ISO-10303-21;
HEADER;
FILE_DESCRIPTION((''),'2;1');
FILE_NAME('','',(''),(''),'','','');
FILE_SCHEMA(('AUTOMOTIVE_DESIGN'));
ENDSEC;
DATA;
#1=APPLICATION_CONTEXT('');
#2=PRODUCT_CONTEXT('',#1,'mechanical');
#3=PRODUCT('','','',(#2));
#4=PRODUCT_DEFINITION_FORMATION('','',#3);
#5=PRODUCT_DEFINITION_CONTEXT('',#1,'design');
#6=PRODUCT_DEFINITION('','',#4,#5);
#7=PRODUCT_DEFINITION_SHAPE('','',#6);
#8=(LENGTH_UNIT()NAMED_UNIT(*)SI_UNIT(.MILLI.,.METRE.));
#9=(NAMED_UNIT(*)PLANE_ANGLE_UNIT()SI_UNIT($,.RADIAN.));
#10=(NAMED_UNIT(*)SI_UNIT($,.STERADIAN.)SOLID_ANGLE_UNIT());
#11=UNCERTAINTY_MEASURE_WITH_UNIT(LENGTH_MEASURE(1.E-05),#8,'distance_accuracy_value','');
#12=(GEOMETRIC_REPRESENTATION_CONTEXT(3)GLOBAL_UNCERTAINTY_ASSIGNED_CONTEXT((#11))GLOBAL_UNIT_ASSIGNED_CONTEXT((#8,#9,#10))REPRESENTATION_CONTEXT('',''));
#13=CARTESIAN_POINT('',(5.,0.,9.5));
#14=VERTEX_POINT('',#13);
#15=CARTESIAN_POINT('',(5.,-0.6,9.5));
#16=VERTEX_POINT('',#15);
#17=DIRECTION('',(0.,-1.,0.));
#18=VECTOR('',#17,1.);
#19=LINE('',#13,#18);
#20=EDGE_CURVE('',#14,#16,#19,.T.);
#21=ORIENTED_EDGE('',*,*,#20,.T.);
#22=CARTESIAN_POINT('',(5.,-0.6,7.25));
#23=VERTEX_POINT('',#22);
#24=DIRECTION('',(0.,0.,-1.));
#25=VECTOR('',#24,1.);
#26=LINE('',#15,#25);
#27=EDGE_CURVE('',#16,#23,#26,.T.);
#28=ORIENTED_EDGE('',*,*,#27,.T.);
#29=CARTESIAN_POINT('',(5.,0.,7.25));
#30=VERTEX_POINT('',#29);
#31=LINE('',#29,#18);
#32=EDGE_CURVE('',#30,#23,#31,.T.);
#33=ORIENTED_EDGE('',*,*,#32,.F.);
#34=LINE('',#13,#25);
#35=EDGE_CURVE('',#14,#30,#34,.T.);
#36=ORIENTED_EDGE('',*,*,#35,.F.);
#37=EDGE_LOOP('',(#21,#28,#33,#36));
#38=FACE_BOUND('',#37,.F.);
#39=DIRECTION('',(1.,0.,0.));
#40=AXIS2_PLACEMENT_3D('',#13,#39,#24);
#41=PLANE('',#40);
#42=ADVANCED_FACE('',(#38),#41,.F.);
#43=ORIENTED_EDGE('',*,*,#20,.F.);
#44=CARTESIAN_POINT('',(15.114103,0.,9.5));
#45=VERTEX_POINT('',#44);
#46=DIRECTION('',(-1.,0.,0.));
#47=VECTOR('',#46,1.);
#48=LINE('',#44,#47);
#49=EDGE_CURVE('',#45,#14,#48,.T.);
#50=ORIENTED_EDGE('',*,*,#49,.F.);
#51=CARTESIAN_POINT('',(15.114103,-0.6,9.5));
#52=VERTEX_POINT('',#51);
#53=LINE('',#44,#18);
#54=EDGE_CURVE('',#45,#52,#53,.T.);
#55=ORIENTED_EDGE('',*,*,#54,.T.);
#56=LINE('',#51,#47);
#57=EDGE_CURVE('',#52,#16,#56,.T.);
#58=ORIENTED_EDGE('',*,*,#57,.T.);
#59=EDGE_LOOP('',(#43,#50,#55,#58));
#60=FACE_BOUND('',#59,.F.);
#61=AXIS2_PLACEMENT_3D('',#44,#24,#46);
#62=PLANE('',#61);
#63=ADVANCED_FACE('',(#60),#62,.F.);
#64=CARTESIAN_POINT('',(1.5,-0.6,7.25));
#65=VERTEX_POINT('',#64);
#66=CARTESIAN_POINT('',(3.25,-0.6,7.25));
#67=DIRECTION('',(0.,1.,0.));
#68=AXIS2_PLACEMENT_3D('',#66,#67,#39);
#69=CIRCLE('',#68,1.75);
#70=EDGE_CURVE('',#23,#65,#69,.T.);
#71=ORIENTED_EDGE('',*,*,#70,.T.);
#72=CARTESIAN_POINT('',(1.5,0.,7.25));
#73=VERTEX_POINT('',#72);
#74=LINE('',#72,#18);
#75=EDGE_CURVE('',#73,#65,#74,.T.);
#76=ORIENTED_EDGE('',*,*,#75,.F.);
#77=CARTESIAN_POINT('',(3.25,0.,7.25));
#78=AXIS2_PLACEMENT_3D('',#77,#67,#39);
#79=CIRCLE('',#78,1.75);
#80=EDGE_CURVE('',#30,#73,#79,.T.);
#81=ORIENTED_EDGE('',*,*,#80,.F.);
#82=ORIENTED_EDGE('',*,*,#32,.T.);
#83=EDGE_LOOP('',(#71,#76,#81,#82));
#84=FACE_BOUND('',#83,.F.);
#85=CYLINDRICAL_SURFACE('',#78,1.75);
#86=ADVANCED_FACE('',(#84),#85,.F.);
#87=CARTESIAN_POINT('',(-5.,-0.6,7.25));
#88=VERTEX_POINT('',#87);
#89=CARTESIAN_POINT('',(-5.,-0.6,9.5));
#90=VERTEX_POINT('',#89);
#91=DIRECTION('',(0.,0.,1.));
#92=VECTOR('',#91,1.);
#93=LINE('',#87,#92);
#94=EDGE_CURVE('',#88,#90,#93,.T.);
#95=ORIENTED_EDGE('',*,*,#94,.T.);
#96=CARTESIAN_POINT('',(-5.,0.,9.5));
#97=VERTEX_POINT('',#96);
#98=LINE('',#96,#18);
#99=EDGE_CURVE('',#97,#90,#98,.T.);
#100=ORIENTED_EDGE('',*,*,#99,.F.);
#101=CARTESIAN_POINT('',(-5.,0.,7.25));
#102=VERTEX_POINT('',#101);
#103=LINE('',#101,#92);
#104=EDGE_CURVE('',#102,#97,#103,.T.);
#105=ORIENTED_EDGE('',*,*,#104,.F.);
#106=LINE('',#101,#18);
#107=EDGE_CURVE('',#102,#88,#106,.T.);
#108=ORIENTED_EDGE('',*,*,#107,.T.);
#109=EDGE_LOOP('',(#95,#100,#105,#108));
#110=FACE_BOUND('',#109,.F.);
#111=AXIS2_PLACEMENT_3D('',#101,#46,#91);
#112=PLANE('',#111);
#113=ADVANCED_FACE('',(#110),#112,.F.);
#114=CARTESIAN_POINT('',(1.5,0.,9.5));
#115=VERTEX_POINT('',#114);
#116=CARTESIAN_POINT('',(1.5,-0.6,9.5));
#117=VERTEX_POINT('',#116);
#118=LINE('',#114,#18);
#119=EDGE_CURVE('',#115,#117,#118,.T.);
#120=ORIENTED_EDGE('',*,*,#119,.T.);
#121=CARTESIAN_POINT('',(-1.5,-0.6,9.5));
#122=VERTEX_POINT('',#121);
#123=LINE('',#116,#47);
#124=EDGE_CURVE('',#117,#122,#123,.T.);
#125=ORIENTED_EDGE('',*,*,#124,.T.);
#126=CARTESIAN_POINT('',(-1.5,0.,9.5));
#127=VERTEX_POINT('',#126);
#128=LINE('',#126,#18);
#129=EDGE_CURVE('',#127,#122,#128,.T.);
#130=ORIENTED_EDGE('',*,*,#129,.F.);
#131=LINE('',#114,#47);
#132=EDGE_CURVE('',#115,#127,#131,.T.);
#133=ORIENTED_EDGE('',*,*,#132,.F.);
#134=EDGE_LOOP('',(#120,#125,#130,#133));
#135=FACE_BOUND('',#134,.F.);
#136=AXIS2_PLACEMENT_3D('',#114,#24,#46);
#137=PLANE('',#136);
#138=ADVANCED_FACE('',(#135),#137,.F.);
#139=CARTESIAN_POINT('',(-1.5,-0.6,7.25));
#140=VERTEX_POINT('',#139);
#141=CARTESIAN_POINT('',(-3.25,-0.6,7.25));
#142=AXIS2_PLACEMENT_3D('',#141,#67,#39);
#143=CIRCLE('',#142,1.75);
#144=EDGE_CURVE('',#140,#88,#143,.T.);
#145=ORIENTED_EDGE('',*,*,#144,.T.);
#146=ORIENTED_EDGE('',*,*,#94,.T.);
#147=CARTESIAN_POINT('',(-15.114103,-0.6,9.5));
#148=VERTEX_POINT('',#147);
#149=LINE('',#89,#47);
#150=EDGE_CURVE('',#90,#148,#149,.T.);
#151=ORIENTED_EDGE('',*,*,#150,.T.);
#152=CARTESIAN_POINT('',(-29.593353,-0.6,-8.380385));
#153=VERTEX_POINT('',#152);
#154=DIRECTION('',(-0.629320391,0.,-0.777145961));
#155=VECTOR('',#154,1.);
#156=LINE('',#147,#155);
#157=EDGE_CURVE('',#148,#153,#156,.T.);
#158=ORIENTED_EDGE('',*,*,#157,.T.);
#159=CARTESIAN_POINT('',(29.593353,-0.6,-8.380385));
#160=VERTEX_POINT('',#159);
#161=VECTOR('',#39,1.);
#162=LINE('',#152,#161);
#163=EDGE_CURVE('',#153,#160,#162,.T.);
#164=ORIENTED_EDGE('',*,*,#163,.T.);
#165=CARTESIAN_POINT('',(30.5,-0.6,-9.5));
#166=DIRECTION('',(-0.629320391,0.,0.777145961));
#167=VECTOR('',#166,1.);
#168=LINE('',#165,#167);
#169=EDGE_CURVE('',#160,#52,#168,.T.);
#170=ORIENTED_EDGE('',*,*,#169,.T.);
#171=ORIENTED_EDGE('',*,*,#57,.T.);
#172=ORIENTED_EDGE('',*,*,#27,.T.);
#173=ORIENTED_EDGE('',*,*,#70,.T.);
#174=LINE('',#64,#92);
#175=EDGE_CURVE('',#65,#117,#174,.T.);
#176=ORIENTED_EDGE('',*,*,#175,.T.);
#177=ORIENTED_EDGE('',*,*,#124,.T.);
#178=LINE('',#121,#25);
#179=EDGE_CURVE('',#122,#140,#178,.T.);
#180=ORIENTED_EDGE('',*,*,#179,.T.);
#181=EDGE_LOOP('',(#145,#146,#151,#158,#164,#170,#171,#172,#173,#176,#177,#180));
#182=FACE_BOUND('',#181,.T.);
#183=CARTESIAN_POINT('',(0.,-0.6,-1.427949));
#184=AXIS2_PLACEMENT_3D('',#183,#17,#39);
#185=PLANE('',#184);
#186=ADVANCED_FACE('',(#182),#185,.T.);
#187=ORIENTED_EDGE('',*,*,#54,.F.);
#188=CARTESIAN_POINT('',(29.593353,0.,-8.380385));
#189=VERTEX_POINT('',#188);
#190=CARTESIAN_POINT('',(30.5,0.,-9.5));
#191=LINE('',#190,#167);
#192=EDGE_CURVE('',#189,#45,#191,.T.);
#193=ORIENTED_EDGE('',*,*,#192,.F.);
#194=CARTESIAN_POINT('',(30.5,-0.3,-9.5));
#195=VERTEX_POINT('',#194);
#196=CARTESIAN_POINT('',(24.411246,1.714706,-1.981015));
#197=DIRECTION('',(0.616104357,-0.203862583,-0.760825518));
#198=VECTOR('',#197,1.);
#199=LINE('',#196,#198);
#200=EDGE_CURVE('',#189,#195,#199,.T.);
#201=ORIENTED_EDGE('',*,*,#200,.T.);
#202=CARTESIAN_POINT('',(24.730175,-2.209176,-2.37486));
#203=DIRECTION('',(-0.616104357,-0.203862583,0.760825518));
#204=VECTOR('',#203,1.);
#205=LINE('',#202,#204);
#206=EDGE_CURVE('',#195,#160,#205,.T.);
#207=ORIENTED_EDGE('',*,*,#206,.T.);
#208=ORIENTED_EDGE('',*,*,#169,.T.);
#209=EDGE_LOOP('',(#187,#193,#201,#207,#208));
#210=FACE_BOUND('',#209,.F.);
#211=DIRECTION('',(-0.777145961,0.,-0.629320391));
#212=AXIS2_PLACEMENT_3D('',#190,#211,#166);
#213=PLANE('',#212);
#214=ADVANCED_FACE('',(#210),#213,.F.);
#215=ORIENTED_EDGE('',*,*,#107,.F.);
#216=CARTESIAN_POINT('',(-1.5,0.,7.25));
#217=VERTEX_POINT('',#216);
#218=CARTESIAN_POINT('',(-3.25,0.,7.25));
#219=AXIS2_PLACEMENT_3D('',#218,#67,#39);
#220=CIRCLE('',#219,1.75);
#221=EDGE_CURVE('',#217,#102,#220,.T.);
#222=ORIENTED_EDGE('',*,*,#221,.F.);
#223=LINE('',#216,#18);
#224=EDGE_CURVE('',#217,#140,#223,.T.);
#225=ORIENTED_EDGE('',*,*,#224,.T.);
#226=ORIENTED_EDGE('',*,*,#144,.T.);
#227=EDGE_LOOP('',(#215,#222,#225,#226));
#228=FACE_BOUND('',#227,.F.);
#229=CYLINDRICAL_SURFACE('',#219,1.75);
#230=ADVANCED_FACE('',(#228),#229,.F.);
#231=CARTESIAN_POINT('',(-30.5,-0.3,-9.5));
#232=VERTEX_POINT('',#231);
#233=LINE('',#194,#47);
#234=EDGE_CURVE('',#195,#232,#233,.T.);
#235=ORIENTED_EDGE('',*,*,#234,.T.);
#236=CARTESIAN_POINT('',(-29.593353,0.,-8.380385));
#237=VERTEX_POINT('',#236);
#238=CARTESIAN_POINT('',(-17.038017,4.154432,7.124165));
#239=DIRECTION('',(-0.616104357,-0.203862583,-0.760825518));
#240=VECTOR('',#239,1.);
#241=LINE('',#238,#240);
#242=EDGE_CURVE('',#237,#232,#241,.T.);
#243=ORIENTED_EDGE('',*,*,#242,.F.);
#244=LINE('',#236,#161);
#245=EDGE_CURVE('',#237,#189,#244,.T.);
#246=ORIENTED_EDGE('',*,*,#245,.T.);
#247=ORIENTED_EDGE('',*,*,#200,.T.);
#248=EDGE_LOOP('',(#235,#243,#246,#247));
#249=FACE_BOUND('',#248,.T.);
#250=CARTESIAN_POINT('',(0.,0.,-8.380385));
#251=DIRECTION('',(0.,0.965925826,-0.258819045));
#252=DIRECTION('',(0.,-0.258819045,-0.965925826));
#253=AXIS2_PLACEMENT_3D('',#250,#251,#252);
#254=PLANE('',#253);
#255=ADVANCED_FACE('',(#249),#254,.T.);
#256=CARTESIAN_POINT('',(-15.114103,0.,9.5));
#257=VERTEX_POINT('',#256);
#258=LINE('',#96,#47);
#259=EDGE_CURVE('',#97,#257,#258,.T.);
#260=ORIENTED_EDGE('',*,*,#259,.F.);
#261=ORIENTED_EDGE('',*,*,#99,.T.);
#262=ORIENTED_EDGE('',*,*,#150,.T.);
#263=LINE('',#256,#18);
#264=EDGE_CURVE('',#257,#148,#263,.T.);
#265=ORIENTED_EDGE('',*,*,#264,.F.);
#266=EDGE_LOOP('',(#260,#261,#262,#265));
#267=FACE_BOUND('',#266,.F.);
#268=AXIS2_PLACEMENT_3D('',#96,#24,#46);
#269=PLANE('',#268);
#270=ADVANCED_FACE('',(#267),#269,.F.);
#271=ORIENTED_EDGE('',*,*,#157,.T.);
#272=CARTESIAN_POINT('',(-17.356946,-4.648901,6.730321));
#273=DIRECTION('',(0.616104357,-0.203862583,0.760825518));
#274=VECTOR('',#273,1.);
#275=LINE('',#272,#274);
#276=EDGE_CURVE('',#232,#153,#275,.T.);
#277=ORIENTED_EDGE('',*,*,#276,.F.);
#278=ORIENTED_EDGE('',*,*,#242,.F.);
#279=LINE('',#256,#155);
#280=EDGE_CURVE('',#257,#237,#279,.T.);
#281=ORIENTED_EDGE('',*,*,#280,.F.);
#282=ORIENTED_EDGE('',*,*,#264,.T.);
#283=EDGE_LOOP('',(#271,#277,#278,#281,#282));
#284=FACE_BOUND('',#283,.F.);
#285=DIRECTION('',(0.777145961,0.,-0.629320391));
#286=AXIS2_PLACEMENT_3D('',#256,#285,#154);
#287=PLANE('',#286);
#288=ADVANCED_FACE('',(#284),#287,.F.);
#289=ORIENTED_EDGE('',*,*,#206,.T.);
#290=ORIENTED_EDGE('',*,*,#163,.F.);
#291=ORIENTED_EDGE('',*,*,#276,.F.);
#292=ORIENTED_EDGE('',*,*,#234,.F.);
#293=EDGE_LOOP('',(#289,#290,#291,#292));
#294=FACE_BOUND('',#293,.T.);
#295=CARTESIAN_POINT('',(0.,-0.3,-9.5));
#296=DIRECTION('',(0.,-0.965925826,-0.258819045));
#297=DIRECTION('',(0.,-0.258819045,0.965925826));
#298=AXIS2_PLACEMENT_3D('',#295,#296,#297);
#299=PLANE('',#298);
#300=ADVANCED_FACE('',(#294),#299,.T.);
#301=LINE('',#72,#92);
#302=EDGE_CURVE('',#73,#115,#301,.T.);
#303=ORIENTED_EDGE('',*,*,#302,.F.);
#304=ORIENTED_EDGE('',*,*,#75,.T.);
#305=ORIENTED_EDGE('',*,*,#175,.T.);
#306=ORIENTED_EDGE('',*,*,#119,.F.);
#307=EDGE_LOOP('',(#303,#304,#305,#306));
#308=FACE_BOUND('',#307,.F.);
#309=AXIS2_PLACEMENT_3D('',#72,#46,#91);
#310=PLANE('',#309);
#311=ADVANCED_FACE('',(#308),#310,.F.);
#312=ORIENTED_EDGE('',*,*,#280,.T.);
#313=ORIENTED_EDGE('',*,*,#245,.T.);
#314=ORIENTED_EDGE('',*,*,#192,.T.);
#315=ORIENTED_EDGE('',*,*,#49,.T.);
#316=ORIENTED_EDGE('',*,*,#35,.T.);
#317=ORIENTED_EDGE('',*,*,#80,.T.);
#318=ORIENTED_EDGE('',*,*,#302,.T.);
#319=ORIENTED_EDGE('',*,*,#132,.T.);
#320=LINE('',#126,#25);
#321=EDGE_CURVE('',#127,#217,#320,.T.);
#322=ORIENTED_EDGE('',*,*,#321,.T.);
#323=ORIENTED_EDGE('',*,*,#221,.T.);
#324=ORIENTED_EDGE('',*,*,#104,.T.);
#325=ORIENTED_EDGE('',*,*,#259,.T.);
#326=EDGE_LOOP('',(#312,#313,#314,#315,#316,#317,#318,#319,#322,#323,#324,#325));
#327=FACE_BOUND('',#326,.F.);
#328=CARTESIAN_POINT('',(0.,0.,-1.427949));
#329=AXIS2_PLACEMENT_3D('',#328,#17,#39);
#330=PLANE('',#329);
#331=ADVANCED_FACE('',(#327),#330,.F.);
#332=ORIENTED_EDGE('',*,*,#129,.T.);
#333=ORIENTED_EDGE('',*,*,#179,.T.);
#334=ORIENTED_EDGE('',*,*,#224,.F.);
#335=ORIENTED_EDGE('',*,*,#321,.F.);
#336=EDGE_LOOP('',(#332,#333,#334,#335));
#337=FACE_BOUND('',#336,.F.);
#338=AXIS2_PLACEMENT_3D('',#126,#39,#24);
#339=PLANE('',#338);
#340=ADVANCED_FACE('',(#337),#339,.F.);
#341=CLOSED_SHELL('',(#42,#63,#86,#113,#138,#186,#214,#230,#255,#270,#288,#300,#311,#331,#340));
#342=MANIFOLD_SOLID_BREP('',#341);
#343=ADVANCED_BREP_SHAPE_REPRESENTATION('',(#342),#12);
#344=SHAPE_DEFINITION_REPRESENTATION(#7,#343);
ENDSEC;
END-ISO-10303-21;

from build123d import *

# Parameters (mm, degrees)
F1_DEPTH      = 0.6
F3_DEPTH      = 30.501
F3_DEPTH_BACK = 30.501


with BuildPart() as f1:
    # F0 (on Front) → F1 (new body)
    with BuildSketch(Plane.XZ):
        with BuildLine():
            Line((30.5, -9.5), (15.1141033693, 9.5))
            Line((15.1141033693, 9.5), (5, 9.5))
            Line((5, 9.5), (5, 7.25))
            ThreePointArc((5, 7.25), (3.25, 5.5), (1.5, 7.25))
            Line((1.5, 7.25), (1.5, 9.5))
            Line((1.5, 9.5), (-1.5, 9.5))
            Line((-1.5, 9.5), (-1.5, 7.25))
            ThreePointArc((-1.5, 7.25), (-3.25, 5.5), (-5, 7.25))
            Line((-5, 7.25), (-5, 9.5))
            Line((-5, 9.5), (-15.1141033693, 9.5))
            Line((-15.1141033693, 9.5), (-30.5, -9.5))
            Line((-30.5, -9.5), (30.5, -9.5))
        make_face()
    extrude(amount=F1_DEPTH)

    # F2 (on Right) → F3 (cut, two sides)
    with BuildSketch(Plane.YZ) as f3_sk:
        Polygon((-0.6, -9.5), (-0.3, -9.5), (-0.6, -8.3803847577), align=None)
        Polygon((-0.3, -9.5), (0, -9.5), (0, -8.3803847577), align=None)
    extrude(amount=-F3_DEPTH, mode=Mode.SUBTRACT)
    extrude(f3_sk.sketch, amount=F3_DEPTH_BACK, mode=Mode.SUBTRACT)


solid = f1.part
